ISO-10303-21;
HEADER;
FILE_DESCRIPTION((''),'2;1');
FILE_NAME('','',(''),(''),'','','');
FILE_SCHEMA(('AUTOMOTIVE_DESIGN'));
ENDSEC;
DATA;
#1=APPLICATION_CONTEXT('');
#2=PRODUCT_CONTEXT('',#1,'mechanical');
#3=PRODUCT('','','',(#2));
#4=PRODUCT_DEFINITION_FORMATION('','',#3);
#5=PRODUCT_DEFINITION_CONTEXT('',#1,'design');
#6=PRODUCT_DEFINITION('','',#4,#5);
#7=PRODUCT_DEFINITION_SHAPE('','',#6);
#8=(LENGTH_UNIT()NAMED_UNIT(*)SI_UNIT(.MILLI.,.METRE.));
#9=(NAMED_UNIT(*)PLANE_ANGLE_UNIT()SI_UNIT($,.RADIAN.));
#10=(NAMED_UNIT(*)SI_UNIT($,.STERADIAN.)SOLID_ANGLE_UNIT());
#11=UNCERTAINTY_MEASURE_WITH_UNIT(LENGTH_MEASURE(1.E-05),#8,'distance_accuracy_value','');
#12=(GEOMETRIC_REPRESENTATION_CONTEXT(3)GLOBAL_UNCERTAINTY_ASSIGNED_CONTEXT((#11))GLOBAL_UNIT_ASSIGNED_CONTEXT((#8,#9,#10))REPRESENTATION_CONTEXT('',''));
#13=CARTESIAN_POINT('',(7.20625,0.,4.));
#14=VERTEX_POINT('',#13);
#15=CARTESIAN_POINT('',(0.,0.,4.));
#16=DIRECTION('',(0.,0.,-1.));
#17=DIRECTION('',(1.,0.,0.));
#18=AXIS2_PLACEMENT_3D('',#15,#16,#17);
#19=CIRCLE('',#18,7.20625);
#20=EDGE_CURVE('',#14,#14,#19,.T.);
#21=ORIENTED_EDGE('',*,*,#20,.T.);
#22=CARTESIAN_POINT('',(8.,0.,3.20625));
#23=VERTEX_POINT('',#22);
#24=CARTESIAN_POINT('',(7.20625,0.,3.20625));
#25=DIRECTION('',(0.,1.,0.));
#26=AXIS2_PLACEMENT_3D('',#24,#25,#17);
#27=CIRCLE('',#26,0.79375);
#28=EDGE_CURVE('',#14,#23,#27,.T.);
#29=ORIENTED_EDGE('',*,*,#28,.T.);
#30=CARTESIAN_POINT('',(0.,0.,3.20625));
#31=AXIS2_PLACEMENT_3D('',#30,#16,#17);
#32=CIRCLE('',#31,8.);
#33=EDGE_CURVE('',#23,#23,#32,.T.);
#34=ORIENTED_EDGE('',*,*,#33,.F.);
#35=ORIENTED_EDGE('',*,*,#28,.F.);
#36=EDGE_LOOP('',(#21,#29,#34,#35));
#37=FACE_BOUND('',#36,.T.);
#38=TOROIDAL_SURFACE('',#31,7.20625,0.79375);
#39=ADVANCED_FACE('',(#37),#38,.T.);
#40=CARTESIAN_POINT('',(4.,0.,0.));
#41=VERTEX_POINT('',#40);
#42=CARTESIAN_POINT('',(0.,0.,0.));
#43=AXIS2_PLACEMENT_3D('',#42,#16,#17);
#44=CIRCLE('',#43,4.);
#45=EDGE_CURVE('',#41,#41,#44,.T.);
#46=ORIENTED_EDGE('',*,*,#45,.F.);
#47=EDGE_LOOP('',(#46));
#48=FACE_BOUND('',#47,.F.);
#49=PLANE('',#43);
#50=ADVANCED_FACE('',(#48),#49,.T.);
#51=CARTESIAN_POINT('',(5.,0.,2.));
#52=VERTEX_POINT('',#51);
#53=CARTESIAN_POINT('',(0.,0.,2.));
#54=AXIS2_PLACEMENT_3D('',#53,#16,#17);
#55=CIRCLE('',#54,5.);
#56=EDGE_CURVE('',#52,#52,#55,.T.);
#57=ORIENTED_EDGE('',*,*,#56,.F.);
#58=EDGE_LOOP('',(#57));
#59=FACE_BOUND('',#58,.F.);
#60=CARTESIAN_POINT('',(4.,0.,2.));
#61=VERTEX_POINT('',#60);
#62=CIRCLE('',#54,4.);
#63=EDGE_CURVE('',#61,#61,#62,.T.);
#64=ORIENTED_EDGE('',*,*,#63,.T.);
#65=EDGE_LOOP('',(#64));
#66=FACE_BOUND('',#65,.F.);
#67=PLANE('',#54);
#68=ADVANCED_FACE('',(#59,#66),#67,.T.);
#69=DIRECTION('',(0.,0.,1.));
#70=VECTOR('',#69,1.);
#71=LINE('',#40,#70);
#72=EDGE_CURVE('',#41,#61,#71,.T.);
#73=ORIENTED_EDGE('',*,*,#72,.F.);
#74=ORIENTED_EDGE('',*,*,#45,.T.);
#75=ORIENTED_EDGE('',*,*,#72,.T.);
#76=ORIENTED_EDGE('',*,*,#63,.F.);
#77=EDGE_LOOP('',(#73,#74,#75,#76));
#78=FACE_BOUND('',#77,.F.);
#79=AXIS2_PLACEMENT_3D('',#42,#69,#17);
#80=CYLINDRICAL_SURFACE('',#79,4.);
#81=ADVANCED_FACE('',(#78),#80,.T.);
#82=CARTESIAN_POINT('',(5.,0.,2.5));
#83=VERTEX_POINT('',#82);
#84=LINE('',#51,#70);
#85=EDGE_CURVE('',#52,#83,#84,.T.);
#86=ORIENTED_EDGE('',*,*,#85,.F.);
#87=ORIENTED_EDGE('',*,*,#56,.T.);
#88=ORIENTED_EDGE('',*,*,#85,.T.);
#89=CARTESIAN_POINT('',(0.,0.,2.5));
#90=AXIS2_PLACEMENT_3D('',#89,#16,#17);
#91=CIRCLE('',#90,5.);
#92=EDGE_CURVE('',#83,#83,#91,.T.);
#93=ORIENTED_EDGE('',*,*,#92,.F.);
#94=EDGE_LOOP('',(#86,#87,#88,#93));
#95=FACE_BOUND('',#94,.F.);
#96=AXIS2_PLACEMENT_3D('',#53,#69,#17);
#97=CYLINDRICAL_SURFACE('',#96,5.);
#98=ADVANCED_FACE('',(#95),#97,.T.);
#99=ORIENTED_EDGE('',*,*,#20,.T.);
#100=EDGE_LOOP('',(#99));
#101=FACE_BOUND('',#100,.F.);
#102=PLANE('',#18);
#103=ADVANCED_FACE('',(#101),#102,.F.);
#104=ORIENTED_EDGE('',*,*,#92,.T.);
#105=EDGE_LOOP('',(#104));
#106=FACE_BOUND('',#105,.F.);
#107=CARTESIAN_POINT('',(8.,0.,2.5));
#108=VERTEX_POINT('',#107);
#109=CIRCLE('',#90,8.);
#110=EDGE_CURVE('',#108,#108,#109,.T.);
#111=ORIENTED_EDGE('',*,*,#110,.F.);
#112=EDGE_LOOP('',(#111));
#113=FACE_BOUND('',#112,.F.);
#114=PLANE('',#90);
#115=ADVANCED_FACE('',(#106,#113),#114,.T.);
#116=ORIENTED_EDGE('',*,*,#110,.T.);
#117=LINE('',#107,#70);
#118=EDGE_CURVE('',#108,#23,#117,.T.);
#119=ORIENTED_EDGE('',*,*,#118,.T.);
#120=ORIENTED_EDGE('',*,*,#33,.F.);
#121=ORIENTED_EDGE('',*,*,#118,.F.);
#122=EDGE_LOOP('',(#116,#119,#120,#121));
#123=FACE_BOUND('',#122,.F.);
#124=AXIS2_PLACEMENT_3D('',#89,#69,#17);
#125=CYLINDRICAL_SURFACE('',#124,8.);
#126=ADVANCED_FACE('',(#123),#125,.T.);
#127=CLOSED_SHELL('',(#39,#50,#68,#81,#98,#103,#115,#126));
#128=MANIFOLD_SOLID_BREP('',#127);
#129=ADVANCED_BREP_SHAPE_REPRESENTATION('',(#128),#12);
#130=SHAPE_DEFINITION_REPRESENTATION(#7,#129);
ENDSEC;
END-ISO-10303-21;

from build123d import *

# Parameters (mm, degrees)
F2_R = 0.79375


with BuildPart() as f1:
    # F0 (on Front) → F1 (revolve)
    with BuildSketch(Plane.XZ):
        Polygon((8, 4), (0, 4), (0, 0), (4, 0), (4, 2), (5, 2), (5, 2.5), (8, 2.5), align=None)
    revolve(axis=Axis((0, 0, 2), (0, 0, -1)))

    # F2
    f2_edges = [f1.edges().sort_by_distance(p)[0] for p in [
        (-8, 0, 4),
    ]]
    fillet(f2_edges, radius=F2_R)


solid = f1.part
